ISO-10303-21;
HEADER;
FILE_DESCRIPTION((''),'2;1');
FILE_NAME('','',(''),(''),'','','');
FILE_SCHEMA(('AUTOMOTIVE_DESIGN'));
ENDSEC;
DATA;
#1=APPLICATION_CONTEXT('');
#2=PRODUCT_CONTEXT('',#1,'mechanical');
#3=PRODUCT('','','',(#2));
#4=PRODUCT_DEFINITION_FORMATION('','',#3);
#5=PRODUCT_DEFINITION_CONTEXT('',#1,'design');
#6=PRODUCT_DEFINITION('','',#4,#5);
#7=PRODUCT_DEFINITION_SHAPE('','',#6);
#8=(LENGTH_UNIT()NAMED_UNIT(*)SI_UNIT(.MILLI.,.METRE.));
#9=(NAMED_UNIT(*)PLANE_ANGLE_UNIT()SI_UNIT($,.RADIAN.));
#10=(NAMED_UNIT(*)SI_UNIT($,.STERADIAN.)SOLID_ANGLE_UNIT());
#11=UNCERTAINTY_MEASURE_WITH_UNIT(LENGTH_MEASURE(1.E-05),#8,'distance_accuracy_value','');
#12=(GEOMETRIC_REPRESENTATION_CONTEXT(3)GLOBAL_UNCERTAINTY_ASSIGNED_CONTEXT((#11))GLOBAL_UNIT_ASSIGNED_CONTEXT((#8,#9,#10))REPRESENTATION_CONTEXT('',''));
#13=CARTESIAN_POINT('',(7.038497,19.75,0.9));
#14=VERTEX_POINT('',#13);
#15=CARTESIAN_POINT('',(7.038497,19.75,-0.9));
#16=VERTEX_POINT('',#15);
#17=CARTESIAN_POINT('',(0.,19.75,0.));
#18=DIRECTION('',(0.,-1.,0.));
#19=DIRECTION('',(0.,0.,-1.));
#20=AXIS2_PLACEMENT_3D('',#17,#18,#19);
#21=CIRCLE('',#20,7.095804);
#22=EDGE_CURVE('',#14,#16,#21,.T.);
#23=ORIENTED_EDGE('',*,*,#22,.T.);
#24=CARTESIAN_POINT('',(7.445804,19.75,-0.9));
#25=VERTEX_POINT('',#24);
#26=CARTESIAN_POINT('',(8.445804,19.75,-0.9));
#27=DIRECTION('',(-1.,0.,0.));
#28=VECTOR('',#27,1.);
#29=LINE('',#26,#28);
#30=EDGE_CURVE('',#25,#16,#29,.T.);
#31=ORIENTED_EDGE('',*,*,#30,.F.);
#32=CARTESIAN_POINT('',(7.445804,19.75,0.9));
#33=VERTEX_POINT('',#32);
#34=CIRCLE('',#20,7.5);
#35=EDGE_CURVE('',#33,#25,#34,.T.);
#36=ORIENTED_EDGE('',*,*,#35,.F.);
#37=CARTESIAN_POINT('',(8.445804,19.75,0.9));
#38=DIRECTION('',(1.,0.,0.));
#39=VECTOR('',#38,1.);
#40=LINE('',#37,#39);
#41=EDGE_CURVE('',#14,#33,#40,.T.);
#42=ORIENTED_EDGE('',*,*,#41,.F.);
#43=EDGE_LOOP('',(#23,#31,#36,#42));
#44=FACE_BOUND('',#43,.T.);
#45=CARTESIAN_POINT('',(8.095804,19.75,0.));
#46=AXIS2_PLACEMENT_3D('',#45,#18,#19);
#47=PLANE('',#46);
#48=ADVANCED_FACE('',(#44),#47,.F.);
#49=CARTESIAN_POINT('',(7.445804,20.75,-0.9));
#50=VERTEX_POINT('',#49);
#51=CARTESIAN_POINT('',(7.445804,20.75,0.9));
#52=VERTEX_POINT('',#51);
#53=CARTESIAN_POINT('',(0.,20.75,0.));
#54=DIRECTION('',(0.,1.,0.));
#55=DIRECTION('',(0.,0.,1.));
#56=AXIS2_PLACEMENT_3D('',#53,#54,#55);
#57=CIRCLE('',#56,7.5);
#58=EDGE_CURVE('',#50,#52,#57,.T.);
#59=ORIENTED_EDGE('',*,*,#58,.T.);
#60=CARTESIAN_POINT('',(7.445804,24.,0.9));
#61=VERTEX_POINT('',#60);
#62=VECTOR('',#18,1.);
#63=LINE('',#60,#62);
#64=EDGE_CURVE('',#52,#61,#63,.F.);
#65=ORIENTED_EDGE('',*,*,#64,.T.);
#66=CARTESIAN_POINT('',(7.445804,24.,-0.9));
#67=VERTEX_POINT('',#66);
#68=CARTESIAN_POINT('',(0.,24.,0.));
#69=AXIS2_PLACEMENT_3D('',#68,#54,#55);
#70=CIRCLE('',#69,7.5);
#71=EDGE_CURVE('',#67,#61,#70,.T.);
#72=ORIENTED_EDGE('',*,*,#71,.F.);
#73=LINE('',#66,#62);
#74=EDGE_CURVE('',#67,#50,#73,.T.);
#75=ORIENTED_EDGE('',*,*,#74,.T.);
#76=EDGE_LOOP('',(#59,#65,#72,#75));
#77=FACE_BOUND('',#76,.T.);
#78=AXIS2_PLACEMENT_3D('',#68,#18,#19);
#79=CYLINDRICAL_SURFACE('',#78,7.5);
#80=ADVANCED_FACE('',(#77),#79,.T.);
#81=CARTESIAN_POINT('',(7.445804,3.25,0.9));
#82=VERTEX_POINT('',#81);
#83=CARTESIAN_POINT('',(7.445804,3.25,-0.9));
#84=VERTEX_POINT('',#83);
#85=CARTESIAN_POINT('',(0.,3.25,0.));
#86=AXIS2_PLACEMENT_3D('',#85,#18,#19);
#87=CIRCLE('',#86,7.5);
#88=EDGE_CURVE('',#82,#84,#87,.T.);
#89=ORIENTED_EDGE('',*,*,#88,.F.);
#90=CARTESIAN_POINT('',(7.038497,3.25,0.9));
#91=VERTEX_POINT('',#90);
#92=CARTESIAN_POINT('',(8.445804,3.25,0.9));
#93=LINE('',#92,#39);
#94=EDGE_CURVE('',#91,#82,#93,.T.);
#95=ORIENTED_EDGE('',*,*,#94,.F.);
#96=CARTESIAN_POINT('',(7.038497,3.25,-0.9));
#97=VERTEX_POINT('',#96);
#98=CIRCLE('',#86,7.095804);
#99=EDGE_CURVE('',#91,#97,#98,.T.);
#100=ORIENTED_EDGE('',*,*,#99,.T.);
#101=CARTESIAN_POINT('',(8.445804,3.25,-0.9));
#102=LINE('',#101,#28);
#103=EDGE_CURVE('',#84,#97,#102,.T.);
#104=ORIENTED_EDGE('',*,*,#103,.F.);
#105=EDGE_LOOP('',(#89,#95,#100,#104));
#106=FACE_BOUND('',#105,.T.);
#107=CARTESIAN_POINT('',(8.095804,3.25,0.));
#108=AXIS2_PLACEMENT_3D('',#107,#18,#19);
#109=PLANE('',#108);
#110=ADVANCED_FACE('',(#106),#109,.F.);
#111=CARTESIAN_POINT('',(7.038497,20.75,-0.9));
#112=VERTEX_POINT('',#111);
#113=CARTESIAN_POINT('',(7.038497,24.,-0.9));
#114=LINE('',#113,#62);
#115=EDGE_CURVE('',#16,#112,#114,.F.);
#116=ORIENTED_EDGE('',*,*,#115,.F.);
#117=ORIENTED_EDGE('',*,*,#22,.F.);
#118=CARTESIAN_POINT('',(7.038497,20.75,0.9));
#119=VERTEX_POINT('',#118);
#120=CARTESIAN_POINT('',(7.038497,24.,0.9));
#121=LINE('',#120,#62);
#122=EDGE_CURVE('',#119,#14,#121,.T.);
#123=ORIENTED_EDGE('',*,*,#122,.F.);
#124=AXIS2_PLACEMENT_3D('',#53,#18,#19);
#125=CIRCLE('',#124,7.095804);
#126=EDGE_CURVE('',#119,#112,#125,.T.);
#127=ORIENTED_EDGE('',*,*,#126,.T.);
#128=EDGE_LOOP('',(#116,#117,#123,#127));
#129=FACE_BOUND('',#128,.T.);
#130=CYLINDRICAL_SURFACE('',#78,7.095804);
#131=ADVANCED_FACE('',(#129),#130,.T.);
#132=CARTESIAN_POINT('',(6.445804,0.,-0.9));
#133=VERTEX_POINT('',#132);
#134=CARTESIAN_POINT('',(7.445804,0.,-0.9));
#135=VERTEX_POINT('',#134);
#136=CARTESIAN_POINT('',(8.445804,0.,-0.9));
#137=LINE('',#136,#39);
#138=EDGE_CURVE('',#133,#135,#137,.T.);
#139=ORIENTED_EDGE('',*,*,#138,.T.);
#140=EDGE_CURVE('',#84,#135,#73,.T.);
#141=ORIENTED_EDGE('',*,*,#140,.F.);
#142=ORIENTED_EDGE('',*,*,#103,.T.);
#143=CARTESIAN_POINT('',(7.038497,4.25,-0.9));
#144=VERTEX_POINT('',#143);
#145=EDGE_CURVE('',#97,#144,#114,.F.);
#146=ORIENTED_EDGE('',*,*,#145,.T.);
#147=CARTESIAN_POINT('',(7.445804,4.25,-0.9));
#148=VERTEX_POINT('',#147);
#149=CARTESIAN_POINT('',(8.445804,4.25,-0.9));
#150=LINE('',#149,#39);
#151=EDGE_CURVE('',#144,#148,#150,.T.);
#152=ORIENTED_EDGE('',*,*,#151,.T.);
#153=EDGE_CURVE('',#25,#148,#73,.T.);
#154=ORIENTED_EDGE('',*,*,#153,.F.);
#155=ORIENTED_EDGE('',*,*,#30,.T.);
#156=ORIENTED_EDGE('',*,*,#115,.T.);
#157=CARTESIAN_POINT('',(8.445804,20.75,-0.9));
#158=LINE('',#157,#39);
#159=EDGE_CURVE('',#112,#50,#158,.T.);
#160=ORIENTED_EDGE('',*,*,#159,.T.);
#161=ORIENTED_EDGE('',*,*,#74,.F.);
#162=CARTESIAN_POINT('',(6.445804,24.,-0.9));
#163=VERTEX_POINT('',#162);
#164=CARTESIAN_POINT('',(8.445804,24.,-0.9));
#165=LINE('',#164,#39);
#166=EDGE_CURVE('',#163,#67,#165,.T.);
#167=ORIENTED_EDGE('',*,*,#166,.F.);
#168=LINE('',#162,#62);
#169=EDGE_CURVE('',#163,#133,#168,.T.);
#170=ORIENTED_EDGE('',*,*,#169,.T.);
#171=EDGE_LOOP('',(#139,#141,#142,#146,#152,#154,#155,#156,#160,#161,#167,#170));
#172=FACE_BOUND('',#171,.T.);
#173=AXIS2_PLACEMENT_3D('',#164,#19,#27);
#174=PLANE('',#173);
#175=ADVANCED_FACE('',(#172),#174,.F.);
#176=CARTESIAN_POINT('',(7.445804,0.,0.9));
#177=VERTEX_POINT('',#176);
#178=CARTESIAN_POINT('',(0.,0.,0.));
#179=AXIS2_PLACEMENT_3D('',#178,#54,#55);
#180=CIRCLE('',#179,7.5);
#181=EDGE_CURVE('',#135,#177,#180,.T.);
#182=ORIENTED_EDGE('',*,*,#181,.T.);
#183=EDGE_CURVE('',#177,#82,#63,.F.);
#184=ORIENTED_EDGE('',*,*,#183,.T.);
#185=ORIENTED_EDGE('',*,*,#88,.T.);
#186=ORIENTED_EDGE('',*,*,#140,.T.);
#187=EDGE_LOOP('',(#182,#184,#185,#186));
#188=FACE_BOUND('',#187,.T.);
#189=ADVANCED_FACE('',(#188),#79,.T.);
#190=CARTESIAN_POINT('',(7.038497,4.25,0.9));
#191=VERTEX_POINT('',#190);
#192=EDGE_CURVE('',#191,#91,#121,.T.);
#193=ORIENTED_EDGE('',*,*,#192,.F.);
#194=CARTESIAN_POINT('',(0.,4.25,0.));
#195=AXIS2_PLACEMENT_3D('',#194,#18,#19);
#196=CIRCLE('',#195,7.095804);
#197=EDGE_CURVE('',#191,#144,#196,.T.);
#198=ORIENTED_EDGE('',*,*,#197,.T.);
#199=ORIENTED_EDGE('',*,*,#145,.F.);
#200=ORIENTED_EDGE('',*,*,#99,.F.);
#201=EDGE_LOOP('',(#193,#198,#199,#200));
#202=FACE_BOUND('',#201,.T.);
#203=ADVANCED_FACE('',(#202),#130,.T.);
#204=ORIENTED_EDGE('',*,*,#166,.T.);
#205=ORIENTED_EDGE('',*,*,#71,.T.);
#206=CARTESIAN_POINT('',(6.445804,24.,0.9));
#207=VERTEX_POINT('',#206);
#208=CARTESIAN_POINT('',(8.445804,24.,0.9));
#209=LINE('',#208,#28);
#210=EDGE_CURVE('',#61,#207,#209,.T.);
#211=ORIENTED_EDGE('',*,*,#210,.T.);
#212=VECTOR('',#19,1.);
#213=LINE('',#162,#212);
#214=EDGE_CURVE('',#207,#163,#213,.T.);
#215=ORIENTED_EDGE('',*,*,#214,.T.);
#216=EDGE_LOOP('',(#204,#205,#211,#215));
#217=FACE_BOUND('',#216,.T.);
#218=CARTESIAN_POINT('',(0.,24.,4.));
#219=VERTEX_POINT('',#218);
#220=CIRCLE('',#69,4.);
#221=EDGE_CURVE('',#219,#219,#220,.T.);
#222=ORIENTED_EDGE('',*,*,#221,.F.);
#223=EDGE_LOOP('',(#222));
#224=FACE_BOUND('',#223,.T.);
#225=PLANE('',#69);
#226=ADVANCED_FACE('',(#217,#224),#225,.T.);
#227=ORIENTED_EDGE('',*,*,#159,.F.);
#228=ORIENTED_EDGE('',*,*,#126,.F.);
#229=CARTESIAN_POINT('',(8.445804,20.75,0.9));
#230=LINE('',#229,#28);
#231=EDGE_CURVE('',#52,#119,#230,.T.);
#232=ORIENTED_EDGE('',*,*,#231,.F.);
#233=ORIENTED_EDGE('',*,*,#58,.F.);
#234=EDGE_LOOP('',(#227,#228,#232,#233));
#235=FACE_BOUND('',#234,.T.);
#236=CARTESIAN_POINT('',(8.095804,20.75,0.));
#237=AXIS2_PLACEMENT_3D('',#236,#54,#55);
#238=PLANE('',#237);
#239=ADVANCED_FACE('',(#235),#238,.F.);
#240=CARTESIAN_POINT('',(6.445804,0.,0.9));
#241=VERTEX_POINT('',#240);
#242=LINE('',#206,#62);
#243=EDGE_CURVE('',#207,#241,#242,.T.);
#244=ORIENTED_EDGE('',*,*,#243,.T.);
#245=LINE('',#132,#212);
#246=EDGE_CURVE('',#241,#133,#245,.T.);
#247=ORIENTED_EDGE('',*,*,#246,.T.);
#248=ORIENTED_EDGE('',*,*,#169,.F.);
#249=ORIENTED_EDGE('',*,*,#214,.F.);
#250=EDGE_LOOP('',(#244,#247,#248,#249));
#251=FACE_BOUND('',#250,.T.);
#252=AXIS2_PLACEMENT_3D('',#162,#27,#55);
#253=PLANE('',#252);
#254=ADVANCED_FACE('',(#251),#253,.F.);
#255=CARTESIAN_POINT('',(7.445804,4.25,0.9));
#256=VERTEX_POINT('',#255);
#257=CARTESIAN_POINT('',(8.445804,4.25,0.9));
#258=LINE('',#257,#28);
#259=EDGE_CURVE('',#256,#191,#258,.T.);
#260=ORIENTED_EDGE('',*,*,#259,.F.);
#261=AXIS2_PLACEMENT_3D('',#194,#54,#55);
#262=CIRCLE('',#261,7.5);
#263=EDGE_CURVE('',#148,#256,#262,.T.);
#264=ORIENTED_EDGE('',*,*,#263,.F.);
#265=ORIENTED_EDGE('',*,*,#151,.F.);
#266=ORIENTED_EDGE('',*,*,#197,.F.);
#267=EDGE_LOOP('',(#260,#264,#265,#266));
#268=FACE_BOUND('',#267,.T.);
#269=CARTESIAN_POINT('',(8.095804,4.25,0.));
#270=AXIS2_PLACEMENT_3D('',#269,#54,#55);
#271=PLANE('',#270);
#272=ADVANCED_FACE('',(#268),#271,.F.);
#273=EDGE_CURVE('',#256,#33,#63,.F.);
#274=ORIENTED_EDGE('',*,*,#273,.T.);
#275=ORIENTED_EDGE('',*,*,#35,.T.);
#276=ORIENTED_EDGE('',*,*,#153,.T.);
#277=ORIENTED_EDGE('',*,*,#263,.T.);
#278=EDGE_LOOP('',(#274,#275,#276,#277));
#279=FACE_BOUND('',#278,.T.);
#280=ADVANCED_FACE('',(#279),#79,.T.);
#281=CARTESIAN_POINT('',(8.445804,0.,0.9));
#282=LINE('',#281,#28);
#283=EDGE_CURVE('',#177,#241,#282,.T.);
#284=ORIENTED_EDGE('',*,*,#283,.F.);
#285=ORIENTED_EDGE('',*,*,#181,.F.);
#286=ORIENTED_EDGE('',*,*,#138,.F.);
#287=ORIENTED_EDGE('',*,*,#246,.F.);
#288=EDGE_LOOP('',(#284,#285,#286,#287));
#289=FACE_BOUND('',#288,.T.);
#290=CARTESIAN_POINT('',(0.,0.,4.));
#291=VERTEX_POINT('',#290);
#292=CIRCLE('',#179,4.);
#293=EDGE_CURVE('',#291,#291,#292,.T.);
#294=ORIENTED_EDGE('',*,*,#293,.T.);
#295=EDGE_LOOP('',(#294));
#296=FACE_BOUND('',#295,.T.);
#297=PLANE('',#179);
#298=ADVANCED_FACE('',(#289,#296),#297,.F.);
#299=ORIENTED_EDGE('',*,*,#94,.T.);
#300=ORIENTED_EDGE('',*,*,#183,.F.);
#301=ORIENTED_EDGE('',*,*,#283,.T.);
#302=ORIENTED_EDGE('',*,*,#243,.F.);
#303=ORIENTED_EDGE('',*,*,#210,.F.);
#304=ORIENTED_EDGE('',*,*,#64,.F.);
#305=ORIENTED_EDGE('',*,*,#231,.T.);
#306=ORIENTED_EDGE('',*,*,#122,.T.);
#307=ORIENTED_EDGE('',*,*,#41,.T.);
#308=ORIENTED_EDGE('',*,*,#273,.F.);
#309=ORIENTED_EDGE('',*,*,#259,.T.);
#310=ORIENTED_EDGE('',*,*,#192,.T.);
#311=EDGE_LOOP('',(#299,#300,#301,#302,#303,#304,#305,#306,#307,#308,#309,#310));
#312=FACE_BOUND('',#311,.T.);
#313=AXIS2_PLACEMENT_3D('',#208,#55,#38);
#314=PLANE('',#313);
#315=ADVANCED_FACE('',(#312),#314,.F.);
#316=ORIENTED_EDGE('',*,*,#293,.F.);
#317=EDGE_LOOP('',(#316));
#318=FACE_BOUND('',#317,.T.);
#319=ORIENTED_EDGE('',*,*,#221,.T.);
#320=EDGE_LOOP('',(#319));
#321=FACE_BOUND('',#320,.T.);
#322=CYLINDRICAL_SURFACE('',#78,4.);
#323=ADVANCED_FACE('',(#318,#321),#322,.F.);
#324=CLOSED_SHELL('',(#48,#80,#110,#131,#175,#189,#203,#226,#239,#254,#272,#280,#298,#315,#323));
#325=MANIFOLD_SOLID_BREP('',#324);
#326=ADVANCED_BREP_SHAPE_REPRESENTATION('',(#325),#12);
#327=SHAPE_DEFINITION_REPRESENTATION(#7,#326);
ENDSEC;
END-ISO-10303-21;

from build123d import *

# Parameters (mm, degrees)
CROQUIS1_R              = 7.5
CROQUIS1_R_2            = 4
SALIENTE_EXTRUIR1_DEPTH = 24
CROQUIS2_W              = 2
CROQUIS2_H              = 1.8
CORTAR_EXTRUIR1_DEPTH   = 27.239283527
CROQUIS3_W              = 1
CROQUIS3_H              = 1


with BuildPart() as part:
    # Croquis1 → Saliente-Extruir1 (new body)
    with BuildSketch(Plane(origin=(0, 0, 0), x_dir=(1, 0, 0), z_dir=(0, 1, 0))):
        with Locations(Location((0, 0, 0), (0, 0, 270))):
            Circle(CROQUIS1_R)
        with Locations(Location((0, 0, 0), (0, 0, 270))):
            Circle(CROQUIS1_R_2, mode=Mode.SUBTRACT)
    extrude(amount=SALIENTE_EXTRUIR1_DEPTH)

    # Croquis2 → Cortar-Extruir1 (cut, through all)
    with BuildSketch(Plane.XZ):
        with Locations((7.445804188, 0)):
            Rectangle(CROQUIS2_W, CROQUIS2_H)
    extrude(amount=-CORTAR_EXTRUIR1_DEPTH, mode=Mode.SUBTRACT)

    # Cortar-Barrer3: sweep along a curve in space
    with BuildLine() as cortar_barrer3_path:
        ThreePointArc((0, 24, 4), (2.828427125, 24, 2.828427125), (4, 24, 0))
        ThreePointArc((4, 24, 0), (2.828427125, 24, -2.828427125), (0, 24, -4))
        ThreePointArc((0, 24, -4), (-2.828427125, 24, -2.828427125), (-4, 24, 0))
        ThreePointArc((-4, 24, 0), (-2.828427125, 24, 2.828427125), (0, 24, 4))
    # Croquis3 → Cortar-Barrer3 (sweep, cut)
    with BuildSketch(Plane.XY):
        with Locations((7.595804188, 20.25)):
            Rectangle(CROQUIS3_W, CROQUIS3_H)
        with Locations((7.595804188, 3.75)):
            Rectangle(CROQUIS3_W, CROQUIS3_H)
        with Locations((-7.595804188, 3.75)):
            Rectangle(CROQUIS3_W, CROQUIS3_H)
        with Locations((-7.595804188, 20.25)):
            Rectangle(CROQUIS3_W, CROQUIS3_H)
    sweep(path=cortar_barrer3_path.line, mode=Mode.SUBTRACT)


solid = part.part
